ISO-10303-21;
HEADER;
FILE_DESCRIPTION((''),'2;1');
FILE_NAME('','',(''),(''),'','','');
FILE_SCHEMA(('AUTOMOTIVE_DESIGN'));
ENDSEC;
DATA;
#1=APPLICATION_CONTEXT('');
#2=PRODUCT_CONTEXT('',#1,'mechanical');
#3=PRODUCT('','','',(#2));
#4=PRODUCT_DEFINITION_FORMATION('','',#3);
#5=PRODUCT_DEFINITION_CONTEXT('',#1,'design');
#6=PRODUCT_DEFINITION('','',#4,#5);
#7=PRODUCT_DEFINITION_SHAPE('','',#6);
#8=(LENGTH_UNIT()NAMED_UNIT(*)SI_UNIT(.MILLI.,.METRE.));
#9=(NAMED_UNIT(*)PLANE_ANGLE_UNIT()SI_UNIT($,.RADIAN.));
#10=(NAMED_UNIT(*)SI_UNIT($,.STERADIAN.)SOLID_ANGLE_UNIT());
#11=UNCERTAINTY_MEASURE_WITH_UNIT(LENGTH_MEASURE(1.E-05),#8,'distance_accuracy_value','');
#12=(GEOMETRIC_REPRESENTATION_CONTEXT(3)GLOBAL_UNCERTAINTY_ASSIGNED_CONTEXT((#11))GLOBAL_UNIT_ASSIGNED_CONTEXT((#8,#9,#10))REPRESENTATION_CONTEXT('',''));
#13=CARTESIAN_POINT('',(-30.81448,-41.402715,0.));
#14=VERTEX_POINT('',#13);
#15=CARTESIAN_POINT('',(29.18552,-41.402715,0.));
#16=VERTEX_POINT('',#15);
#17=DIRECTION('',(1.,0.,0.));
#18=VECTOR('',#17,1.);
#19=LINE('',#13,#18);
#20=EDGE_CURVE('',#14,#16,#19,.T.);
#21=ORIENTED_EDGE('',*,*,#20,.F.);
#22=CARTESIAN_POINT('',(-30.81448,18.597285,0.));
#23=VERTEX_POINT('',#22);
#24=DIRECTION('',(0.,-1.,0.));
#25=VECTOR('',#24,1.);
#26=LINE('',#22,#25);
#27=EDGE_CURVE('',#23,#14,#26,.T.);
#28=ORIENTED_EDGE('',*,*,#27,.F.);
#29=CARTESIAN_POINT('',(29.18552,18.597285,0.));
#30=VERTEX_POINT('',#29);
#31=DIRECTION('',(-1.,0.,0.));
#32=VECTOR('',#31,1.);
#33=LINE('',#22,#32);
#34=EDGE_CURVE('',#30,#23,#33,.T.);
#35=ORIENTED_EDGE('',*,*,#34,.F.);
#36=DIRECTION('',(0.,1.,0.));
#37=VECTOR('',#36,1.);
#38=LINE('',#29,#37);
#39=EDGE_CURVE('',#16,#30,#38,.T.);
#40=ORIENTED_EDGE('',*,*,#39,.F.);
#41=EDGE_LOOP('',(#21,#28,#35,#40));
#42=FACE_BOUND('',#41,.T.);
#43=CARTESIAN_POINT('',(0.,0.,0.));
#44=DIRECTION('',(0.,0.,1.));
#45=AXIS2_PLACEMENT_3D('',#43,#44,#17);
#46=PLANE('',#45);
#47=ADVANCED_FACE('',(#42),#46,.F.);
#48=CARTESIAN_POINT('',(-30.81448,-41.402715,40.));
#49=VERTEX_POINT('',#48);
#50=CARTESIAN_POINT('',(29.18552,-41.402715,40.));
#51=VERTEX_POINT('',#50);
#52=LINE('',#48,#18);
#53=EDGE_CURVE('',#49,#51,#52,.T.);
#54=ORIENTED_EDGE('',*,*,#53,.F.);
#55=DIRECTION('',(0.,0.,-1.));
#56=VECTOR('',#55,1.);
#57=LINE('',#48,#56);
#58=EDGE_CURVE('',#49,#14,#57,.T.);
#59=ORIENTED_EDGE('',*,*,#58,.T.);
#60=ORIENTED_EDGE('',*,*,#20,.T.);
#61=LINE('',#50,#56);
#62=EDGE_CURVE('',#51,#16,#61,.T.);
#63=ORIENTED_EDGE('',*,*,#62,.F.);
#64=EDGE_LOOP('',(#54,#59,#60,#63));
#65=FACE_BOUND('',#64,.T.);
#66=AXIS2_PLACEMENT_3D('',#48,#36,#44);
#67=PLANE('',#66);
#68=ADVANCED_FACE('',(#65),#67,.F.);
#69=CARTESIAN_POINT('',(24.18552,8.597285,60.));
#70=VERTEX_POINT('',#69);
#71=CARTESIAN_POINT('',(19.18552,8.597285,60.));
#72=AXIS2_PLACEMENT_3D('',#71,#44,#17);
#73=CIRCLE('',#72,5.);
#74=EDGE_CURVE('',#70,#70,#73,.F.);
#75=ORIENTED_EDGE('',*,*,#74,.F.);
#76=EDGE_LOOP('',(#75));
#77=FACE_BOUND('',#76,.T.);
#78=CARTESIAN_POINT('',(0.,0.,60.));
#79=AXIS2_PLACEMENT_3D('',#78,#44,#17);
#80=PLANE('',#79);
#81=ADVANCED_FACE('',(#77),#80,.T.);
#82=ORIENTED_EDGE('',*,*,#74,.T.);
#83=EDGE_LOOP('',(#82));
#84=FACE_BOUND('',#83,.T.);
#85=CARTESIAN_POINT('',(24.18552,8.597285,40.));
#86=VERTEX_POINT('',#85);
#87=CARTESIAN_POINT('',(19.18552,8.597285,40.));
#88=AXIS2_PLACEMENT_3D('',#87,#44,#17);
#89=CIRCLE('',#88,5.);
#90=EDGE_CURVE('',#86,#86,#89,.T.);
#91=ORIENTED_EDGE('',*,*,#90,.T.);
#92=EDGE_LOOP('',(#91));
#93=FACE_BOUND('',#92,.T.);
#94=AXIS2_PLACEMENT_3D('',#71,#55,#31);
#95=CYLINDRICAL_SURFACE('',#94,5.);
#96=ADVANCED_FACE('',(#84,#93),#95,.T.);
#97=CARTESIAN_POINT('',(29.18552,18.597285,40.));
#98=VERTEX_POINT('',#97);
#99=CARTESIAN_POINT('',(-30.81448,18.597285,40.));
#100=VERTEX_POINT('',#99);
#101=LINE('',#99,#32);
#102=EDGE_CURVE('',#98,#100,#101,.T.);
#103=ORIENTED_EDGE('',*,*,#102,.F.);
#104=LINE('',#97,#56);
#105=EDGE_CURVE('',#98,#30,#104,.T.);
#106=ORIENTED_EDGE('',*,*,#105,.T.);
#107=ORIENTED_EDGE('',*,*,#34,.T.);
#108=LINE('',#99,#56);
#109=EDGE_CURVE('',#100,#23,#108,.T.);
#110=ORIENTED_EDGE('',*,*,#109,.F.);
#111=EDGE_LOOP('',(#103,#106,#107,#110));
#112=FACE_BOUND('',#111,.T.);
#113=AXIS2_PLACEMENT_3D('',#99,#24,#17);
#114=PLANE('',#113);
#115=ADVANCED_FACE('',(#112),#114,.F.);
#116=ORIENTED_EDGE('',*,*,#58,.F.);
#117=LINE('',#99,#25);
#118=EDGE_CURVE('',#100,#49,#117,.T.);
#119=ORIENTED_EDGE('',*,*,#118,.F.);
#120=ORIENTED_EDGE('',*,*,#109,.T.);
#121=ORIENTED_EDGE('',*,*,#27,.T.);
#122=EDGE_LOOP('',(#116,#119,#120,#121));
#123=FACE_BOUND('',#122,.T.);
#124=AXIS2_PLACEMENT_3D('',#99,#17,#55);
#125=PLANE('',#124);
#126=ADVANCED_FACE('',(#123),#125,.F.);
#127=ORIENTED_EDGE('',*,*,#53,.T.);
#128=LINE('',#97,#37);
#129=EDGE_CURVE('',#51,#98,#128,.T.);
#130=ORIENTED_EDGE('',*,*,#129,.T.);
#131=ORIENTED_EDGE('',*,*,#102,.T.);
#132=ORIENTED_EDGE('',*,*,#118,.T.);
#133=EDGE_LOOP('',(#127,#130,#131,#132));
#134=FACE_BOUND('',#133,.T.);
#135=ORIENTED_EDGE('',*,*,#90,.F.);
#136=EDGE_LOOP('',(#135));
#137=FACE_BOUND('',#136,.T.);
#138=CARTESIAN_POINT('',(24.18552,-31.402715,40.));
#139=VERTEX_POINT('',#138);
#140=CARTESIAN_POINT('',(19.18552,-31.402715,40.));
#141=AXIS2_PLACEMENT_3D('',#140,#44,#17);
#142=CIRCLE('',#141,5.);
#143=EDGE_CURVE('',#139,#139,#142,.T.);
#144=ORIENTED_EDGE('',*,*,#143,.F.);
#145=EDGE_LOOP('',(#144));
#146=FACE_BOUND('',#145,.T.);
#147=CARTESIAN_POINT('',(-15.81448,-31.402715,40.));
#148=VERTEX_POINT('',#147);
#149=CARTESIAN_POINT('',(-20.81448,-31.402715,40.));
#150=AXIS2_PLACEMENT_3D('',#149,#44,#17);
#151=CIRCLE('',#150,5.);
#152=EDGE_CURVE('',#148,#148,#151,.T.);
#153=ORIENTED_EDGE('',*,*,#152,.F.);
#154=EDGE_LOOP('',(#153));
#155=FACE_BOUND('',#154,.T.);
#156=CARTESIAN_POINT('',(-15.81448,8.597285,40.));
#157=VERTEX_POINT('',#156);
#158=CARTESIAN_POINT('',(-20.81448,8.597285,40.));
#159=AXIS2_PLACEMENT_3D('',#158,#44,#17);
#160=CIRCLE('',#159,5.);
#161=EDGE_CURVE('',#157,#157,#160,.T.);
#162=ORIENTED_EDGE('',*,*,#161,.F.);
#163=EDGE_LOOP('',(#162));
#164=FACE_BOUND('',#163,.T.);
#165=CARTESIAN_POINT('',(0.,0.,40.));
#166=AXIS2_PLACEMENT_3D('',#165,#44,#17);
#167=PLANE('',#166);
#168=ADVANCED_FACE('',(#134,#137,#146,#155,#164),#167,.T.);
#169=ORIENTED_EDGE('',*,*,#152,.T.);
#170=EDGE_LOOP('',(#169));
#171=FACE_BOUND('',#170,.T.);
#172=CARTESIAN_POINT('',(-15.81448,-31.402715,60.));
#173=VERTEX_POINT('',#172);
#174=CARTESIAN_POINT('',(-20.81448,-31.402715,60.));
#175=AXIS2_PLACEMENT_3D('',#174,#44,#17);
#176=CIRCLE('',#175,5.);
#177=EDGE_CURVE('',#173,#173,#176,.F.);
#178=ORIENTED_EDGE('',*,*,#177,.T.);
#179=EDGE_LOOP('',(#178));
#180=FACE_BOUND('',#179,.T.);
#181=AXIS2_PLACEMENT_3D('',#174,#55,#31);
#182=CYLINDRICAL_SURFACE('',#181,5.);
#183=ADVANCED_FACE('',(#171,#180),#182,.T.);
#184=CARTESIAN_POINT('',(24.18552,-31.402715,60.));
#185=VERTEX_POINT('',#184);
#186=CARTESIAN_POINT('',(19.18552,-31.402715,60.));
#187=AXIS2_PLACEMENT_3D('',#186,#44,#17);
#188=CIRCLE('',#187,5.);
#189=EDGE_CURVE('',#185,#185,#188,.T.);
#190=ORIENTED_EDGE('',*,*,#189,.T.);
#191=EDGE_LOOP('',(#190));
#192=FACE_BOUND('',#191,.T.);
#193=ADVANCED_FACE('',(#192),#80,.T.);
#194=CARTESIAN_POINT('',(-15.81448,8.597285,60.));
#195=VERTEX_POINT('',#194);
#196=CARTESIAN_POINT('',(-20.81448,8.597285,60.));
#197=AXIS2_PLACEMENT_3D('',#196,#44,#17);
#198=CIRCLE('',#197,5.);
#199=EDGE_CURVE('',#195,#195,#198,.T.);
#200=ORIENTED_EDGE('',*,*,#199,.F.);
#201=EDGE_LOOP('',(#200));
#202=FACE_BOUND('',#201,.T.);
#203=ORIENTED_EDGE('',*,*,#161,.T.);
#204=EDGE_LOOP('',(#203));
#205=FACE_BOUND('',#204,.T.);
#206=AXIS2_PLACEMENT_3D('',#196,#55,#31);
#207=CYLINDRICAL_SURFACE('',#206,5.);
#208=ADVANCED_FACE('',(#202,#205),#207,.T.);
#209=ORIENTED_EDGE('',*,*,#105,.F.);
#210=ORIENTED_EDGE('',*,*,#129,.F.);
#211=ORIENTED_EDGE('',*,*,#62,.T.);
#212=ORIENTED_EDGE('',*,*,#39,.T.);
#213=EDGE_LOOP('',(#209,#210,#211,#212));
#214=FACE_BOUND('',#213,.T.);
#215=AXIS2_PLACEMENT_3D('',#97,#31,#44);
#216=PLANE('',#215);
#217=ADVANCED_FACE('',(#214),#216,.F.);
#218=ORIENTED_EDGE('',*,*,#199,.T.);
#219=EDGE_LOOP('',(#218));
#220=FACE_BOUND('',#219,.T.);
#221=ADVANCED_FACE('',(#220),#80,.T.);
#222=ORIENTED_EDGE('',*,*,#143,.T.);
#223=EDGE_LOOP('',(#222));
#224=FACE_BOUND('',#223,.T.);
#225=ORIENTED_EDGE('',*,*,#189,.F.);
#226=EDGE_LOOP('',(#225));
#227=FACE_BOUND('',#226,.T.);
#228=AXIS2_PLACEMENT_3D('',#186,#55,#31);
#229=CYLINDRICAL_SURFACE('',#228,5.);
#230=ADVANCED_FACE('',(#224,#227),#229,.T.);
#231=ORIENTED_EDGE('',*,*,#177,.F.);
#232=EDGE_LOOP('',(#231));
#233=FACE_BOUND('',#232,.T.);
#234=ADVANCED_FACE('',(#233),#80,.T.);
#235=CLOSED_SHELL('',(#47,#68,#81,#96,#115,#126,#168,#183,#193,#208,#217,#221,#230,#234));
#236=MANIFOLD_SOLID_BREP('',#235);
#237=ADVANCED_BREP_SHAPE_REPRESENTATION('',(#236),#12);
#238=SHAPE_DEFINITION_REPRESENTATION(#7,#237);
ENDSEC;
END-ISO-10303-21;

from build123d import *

# Parameters (mm, degrees)
SKETCH1_W           = 60
SKETCH1_H           = 60
BOSS_EXTRUDE1_DEPTH = 40
SKETCH6_R           = 5
BOSS_EXTRUDE3_DEPTH = 20


with BuildPart() as part:
    # Sketch1 → Boss-Extrude1 (new body)
    with BuildSketch(Plane.XY):
        with Locations((-0.814479638, -11.402714932)):
            Rectangle(SKETCH1_W, SKETCH1_H)
    extrude(amount=BOSS_EXTRUDE1_DEPTH)

    # Sketch6 → Boss-Extrude3 (add)
    with BuildSketch(Plane.XY.offset(40)):
        with Locations((-20.814479638, 8.597285068)):
            Circle(SKETCH6_R)
        with Locations((19.185520362, 8.597285068)):
            Circle(SKETCH6_R)
        with Locations((19.185520362, -31.402714932)):
            Circle(SKETCH6_R)
        with Locations((-20.814479638, -31.402714932)):
            Circle(SKETCH6_R)
    extrude(amount=BOSS_EXTRUDE3_DEPTH)


solid = part.part
